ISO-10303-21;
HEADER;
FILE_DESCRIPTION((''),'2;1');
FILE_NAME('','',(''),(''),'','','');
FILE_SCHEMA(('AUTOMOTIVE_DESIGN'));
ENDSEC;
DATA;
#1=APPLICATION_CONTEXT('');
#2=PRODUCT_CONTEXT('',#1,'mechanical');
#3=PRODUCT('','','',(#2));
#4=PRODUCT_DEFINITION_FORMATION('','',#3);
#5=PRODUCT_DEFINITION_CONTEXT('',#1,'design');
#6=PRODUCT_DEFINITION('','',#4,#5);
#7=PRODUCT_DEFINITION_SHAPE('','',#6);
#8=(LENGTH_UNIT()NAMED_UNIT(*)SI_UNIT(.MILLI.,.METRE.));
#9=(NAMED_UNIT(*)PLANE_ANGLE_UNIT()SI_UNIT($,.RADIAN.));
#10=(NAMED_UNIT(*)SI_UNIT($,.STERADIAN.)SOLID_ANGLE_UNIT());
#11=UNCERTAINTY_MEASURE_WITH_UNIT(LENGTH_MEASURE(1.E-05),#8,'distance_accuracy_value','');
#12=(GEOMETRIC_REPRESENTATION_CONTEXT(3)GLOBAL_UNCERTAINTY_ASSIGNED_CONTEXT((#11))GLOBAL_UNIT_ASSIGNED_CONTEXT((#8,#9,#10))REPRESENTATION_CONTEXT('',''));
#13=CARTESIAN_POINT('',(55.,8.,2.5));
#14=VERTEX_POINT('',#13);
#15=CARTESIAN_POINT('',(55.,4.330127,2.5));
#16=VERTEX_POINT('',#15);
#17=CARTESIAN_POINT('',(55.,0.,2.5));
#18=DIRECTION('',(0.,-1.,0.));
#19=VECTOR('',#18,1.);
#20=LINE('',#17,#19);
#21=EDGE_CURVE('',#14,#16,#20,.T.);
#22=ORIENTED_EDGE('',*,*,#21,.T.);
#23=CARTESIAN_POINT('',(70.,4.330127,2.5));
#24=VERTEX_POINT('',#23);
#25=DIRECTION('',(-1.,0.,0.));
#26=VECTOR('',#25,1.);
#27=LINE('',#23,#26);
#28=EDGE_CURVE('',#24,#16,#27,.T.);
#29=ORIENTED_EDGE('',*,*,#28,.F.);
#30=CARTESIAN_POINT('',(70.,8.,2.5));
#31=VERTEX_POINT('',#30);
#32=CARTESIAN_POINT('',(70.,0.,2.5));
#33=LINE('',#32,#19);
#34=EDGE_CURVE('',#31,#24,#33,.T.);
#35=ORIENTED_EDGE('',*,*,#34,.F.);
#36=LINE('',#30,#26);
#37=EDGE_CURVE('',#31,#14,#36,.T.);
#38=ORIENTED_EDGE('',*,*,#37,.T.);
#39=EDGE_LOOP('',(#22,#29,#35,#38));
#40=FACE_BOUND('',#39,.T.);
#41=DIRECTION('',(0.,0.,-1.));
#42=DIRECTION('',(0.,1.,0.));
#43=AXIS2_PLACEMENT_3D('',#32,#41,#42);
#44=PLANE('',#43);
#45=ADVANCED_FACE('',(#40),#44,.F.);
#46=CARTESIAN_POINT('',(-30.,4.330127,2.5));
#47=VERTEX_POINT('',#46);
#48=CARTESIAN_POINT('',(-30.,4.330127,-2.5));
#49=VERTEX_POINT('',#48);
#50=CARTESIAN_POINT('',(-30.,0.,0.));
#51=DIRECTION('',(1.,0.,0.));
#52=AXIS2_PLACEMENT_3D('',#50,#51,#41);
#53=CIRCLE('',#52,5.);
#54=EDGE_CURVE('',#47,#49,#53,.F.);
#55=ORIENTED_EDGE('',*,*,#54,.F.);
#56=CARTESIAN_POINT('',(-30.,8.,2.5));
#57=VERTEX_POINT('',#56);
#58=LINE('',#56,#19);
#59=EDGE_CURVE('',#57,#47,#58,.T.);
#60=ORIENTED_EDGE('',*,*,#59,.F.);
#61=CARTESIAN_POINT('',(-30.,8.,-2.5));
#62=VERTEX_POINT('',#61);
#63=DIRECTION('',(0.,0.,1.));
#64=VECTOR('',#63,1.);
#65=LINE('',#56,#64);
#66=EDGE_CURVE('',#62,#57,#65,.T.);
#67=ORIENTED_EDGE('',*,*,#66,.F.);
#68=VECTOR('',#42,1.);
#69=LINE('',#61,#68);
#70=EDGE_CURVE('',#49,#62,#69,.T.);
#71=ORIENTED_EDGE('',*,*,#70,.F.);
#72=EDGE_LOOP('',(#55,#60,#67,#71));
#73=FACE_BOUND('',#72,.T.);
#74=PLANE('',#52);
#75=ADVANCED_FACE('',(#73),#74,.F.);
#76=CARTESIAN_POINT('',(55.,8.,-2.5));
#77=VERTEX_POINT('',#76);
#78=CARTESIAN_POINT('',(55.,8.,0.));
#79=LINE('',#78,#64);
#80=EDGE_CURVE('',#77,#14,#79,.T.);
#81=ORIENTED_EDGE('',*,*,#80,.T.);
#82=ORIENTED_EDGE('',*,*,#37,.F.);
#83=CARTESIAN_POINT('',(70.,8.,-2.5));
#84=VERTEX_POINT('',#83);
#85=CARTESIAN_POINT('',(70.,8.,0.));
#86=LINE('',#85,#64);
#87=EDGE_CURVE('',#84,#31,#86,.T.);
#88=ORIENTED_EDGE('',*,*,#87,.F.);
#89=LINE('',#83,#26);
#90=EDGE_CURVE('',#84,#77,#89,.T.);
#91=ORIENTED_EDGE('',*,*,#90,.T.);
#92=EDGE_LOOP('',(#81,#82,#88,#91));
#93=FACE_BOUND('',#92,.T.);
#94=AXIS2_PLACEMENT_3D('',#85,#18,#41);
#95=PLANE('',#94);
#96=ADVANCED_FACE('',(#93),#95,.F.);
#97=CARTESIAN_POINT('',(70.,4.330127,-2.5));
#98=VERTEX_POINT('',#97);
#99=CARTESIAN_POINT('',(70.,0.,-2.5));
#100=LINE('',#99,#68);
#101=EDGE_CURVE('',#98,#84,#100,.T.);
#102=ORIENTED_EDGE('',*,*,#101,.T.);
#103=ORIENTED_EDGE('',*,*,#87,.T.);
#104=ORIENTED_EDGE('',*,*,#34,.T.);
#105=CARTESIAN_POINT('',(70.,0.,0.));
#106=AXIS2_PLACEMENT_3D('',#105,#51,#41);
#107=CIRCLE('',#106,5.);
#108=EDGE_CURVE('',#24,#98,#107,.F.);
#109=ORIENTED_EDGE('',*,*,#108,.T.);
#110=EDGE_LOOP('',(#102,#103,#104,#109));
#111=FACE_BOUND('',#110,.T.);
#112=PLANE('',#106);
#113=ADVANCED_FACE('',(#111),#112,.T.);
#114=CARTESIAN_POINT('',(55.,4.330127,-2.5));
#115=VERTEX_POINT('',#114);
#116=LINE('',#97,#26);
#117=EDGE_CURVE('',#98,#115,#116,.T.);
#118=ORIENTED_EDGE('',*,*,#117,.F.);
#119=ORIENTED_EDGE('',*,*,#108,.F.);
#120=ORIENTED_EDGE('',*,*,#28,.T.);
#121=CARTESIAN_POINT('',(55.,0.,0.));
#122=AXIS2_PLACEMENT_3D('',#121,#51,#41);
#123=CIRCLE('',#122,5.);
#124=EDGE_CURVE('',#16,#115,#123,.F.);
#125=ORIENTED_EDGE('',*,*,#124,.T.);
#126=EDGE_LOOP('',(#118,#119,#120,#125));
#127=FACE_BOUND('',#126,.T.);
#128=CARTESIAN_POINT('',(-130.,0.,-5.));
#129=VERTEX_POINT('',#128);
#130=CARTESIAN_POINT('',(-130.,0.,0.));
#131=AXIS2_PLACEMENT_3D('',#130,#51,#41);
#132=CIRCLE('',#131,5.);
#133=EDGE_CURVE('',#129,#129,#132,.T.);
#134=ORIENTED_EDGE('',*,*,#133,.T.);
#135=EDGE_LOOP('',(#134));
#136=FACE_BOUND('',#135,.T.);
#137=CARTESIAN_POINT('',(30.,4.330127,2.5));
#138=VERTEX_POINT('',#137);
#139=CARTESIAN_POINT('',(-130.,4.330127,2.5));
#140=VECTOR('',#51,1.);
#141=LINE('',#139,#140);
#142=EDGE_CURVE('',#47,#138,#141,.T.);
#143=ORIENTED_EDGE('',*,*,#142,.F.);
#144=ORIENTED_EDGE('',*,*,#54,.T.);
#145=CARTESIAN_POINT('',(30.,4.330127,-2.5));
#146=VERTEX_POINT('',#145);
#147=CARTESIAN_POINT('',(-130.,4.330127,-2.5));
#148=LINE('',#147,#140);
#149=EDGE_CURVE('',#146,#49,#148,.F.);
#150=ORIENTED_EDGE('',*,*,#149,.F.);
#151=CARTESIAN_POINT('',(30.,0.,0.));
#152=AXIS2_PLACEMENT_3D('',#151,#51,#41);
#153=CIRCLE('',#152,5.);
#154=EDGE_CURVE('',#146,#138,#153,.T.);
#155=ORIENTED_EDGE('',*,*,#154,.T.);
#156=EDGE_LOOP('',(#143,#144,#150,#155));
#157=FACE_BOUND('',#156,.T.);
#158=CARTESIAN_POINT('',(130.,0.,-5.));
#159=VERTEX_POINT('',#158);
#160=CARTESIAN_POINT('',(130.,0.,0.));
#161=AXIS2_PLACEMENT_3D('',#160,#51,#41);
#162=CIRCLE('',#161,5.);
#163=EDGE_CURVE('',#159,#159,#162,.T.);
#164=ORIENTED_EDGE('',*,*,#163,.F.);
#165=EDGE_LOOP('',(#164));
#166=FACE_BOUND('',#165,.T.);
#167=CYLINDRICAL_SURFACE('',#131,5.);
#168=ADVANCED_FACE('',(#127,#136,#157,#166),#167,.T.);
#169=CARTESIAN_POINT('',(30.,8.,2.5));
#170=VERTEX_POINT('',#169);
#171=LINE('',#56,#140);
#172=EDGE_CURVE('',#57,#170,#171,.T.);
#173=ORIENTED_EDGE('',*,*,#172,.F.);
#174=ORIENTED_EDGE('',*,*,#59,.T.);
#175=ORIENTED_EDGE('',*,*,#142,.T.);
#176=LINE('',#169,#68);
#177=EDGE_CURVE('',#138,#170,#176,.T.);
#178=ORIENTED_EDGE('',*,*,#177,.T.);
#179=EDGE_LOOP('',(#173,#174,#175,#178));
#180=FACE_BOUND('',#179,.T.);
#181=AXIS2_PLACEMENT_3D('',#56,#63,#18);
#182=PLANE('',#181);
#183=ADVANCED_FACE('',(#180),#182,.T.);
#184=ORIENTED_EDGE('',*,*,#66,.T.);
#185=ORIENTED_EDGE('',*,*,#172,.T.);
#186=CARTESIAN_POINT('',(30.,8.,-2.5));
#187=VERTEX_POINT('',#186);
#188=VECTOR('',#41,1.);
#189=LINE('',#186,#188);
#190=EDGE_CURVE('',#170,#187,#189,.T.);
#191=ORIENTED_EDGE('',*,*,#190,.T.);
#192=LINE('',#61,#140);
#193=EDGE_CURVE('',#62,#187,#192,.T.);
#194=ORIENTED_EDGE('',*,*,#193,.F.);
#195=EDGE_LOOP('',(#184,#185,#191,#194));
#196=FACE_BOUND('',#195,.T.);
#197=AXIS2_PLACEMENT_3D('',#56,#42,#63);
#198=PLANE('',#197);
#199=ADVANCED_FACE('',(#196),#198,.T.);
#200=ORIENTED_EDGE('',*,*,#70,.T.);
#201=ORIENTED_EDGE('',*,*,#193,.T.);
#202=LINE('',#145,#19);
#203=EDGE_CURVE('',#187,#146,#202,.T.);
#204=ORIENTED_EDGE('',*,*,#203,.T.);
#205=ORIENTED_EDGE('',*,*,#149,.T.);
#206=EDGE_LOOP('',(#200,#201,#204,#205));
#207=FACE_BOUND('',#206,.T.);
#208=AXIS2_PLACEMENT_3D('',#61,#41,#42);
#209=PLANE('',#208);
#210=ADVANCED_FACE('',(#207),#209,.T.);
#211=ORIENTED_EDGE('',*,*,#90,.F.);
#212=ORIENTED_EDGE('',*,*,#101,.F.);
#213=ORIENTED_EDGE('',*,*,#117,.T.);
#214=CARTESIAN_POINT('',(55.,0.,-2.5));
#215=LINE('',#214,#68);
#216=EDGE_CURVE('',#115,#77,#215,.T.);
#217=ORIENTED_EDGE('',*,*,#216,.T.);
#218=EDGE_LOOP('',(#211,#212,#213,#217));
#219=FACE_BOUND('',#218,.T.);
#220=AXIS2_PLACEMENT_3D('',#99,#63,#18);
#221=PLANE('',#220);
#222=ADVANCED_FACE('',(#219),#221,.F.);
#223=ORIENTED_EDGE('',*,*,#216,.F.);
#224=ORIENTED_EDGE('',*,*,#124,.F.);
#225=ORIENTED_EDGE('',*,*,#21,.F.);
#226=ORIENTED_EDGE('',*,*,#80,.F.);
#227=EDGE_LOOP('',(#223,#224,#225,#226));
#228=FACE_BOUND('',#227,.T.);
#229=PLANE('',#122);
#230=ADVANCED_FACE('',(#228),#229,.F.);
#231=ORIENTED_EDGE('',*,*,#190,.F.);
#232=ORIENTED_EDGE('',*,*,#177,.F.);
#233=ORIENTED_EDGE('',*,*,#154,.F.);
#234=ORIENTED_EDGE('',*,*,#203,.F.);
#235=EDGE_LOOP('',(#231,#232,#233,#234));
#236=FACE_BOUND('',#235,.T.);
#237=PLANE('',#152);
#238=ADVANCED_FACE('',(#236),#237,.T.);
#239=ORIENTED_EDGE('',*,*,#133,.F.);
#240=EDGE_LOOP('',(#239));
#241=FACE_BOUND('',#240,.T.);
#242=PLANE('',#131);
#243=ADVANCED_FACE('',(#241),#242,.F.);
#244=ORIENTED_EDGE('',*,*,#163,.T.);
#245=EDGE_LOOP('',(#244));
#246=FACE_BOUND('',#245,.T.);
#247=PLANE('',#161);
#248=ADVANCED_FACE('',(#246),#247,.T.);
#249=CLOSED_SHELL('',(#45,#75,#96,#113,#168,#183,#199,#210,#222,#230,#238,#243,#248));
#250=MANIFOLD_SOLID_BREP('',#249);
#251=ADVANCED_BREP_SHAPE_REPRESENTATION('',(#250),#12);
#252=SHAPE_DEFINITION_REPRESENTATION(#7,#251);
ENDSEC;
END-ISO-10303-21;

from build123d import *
from build123d.topology import SkipClean

# Parameters (mm, degrees)
SHAFT_DEPTH                     = 130
SHAFT_DEPTH_BACK                = 130
SKETCH2_R                       = 5
SHAFT_KEY_FOR_BICEPS_DEPTH      = 130
SHAFT_KEY_FOR_BICEPS_DEPTH_BACK = 30
SKETCH3_W                       = 5
SKETCH3_H                       = 8
CUT_EXTRUDE1_START              = -75
CUT_EXTRUDE1_DEPTH              = 75
CUT_EXTRUDE2_START              = -25
CUT_EXTRUDE2_DEPTH              = 25
BOSS_EXTRUDE1_DEPTH             = 15


with BuildPart() as part:
    # Sketch2 → Shaft (new, two sides: drawn at the far end of the back side and taken through both)
    with BuildSketch(Plane(origin=(0, 0, 0), x_dir=(0, 0, -1), z_dir=(1, 0, 0)).offset(-SHAFT_DEPTH_BACK)):
        Circle(SKETCH2_R)
    extrude(amount=SHAFT_DEPTH + SHAFT_DEPTH_BACK)

    # Sketch3 → Shaft Key for Biceps (add, two sides: drawn at the far end of the back side and taken through both)
    with BuildSketch(Plane(origin=(0, 0, 0), x_dir=(0, 0, -1), z_dir=(1, 0, 0)).offset(-SHAFT_KEY_FOR_BICEPS_DEPTH_BACK)):
        with Locations((0, 4)):
            Rectangle(SKETCH3_W, SKETCH3_H)
    extrude(amount=SHAFT_KEY_FOR_BICEPS_DEPTH + SHAFT_KEY_FOR_BICEPS_DEPTH_BACK)

    # Sketch5 → Cut-Extrude1 (cut)
    with BuildSketch(Plane(origin=(130, 0, 0), x_dir=(0, 0, -1), z_dir=(1, 0, 0)).offset(CUT_EXTRUDE1_START)):
        with BuildLine():
            Line((-2.5, 4.330127019), (-2.5, 8))
            Line((-2.5, 8), (2.5, 8))
            Line((2.5, 8), (2.5, 4.330127019))
            ThreePointArc((2.5, 4.330127019), (0, 5), (-2.5, 4.330127019))
        make_face()
    extrude(amount=CUT_EXTRUDE1_DEPTH, mode=Mode.SUBTRACT)

    # Sketch9 → Cut-Extrude2 (cut)
    with SkipClean():  # the faces are left unmerged after this step: merging them gives an invalid solid
        with BuildSketch(Plane(origin=(55, 0, 0), x_dir=(0, 0, -1), z_dir=(1, 0, 0)).offset(CUT_EXTRUDE2_START)):
            with BuildLine():
                Line((2.5, 4.330127019), (2.5, 8))
                Line((2.5, 8), (-2.5, 8))
                Line((-2.5, 8), (-2.5, 4.330127019))
                ThreePointArc((-2.5, 4.330127019), (0, 5), (2.5, 4.330127019))
            make_face()
        extrude(amount=CUT_EXTRUDE2_DEPTH, mode=Mode.SUBTRACT)

    # Sketch10 → Boss-Extrude1 (add)
    with SkipClean():  # the faces are left unmerged after this step: merging them gives an invalid solid
        with BuildSketch(Plane(origin=(55, 0, 0), x_dir=(0, 0, -1), z_dir=(1, 0, 0))):
            with BuildLine():
                Line((-2.5, 8), (-2.5, 4.330127019))
                ThreePointArc((-2.5, 4.330127019), (0, 5), (2.5, 4.330127019))
                Line((2.5, 4.330127019), (2.5, 8))
                Line((2.5, 8), (-2.5, 8))
            make_face()
        extrude(amount=BOSS_EXTRUDE1_DEPTH)


solid = part.part
